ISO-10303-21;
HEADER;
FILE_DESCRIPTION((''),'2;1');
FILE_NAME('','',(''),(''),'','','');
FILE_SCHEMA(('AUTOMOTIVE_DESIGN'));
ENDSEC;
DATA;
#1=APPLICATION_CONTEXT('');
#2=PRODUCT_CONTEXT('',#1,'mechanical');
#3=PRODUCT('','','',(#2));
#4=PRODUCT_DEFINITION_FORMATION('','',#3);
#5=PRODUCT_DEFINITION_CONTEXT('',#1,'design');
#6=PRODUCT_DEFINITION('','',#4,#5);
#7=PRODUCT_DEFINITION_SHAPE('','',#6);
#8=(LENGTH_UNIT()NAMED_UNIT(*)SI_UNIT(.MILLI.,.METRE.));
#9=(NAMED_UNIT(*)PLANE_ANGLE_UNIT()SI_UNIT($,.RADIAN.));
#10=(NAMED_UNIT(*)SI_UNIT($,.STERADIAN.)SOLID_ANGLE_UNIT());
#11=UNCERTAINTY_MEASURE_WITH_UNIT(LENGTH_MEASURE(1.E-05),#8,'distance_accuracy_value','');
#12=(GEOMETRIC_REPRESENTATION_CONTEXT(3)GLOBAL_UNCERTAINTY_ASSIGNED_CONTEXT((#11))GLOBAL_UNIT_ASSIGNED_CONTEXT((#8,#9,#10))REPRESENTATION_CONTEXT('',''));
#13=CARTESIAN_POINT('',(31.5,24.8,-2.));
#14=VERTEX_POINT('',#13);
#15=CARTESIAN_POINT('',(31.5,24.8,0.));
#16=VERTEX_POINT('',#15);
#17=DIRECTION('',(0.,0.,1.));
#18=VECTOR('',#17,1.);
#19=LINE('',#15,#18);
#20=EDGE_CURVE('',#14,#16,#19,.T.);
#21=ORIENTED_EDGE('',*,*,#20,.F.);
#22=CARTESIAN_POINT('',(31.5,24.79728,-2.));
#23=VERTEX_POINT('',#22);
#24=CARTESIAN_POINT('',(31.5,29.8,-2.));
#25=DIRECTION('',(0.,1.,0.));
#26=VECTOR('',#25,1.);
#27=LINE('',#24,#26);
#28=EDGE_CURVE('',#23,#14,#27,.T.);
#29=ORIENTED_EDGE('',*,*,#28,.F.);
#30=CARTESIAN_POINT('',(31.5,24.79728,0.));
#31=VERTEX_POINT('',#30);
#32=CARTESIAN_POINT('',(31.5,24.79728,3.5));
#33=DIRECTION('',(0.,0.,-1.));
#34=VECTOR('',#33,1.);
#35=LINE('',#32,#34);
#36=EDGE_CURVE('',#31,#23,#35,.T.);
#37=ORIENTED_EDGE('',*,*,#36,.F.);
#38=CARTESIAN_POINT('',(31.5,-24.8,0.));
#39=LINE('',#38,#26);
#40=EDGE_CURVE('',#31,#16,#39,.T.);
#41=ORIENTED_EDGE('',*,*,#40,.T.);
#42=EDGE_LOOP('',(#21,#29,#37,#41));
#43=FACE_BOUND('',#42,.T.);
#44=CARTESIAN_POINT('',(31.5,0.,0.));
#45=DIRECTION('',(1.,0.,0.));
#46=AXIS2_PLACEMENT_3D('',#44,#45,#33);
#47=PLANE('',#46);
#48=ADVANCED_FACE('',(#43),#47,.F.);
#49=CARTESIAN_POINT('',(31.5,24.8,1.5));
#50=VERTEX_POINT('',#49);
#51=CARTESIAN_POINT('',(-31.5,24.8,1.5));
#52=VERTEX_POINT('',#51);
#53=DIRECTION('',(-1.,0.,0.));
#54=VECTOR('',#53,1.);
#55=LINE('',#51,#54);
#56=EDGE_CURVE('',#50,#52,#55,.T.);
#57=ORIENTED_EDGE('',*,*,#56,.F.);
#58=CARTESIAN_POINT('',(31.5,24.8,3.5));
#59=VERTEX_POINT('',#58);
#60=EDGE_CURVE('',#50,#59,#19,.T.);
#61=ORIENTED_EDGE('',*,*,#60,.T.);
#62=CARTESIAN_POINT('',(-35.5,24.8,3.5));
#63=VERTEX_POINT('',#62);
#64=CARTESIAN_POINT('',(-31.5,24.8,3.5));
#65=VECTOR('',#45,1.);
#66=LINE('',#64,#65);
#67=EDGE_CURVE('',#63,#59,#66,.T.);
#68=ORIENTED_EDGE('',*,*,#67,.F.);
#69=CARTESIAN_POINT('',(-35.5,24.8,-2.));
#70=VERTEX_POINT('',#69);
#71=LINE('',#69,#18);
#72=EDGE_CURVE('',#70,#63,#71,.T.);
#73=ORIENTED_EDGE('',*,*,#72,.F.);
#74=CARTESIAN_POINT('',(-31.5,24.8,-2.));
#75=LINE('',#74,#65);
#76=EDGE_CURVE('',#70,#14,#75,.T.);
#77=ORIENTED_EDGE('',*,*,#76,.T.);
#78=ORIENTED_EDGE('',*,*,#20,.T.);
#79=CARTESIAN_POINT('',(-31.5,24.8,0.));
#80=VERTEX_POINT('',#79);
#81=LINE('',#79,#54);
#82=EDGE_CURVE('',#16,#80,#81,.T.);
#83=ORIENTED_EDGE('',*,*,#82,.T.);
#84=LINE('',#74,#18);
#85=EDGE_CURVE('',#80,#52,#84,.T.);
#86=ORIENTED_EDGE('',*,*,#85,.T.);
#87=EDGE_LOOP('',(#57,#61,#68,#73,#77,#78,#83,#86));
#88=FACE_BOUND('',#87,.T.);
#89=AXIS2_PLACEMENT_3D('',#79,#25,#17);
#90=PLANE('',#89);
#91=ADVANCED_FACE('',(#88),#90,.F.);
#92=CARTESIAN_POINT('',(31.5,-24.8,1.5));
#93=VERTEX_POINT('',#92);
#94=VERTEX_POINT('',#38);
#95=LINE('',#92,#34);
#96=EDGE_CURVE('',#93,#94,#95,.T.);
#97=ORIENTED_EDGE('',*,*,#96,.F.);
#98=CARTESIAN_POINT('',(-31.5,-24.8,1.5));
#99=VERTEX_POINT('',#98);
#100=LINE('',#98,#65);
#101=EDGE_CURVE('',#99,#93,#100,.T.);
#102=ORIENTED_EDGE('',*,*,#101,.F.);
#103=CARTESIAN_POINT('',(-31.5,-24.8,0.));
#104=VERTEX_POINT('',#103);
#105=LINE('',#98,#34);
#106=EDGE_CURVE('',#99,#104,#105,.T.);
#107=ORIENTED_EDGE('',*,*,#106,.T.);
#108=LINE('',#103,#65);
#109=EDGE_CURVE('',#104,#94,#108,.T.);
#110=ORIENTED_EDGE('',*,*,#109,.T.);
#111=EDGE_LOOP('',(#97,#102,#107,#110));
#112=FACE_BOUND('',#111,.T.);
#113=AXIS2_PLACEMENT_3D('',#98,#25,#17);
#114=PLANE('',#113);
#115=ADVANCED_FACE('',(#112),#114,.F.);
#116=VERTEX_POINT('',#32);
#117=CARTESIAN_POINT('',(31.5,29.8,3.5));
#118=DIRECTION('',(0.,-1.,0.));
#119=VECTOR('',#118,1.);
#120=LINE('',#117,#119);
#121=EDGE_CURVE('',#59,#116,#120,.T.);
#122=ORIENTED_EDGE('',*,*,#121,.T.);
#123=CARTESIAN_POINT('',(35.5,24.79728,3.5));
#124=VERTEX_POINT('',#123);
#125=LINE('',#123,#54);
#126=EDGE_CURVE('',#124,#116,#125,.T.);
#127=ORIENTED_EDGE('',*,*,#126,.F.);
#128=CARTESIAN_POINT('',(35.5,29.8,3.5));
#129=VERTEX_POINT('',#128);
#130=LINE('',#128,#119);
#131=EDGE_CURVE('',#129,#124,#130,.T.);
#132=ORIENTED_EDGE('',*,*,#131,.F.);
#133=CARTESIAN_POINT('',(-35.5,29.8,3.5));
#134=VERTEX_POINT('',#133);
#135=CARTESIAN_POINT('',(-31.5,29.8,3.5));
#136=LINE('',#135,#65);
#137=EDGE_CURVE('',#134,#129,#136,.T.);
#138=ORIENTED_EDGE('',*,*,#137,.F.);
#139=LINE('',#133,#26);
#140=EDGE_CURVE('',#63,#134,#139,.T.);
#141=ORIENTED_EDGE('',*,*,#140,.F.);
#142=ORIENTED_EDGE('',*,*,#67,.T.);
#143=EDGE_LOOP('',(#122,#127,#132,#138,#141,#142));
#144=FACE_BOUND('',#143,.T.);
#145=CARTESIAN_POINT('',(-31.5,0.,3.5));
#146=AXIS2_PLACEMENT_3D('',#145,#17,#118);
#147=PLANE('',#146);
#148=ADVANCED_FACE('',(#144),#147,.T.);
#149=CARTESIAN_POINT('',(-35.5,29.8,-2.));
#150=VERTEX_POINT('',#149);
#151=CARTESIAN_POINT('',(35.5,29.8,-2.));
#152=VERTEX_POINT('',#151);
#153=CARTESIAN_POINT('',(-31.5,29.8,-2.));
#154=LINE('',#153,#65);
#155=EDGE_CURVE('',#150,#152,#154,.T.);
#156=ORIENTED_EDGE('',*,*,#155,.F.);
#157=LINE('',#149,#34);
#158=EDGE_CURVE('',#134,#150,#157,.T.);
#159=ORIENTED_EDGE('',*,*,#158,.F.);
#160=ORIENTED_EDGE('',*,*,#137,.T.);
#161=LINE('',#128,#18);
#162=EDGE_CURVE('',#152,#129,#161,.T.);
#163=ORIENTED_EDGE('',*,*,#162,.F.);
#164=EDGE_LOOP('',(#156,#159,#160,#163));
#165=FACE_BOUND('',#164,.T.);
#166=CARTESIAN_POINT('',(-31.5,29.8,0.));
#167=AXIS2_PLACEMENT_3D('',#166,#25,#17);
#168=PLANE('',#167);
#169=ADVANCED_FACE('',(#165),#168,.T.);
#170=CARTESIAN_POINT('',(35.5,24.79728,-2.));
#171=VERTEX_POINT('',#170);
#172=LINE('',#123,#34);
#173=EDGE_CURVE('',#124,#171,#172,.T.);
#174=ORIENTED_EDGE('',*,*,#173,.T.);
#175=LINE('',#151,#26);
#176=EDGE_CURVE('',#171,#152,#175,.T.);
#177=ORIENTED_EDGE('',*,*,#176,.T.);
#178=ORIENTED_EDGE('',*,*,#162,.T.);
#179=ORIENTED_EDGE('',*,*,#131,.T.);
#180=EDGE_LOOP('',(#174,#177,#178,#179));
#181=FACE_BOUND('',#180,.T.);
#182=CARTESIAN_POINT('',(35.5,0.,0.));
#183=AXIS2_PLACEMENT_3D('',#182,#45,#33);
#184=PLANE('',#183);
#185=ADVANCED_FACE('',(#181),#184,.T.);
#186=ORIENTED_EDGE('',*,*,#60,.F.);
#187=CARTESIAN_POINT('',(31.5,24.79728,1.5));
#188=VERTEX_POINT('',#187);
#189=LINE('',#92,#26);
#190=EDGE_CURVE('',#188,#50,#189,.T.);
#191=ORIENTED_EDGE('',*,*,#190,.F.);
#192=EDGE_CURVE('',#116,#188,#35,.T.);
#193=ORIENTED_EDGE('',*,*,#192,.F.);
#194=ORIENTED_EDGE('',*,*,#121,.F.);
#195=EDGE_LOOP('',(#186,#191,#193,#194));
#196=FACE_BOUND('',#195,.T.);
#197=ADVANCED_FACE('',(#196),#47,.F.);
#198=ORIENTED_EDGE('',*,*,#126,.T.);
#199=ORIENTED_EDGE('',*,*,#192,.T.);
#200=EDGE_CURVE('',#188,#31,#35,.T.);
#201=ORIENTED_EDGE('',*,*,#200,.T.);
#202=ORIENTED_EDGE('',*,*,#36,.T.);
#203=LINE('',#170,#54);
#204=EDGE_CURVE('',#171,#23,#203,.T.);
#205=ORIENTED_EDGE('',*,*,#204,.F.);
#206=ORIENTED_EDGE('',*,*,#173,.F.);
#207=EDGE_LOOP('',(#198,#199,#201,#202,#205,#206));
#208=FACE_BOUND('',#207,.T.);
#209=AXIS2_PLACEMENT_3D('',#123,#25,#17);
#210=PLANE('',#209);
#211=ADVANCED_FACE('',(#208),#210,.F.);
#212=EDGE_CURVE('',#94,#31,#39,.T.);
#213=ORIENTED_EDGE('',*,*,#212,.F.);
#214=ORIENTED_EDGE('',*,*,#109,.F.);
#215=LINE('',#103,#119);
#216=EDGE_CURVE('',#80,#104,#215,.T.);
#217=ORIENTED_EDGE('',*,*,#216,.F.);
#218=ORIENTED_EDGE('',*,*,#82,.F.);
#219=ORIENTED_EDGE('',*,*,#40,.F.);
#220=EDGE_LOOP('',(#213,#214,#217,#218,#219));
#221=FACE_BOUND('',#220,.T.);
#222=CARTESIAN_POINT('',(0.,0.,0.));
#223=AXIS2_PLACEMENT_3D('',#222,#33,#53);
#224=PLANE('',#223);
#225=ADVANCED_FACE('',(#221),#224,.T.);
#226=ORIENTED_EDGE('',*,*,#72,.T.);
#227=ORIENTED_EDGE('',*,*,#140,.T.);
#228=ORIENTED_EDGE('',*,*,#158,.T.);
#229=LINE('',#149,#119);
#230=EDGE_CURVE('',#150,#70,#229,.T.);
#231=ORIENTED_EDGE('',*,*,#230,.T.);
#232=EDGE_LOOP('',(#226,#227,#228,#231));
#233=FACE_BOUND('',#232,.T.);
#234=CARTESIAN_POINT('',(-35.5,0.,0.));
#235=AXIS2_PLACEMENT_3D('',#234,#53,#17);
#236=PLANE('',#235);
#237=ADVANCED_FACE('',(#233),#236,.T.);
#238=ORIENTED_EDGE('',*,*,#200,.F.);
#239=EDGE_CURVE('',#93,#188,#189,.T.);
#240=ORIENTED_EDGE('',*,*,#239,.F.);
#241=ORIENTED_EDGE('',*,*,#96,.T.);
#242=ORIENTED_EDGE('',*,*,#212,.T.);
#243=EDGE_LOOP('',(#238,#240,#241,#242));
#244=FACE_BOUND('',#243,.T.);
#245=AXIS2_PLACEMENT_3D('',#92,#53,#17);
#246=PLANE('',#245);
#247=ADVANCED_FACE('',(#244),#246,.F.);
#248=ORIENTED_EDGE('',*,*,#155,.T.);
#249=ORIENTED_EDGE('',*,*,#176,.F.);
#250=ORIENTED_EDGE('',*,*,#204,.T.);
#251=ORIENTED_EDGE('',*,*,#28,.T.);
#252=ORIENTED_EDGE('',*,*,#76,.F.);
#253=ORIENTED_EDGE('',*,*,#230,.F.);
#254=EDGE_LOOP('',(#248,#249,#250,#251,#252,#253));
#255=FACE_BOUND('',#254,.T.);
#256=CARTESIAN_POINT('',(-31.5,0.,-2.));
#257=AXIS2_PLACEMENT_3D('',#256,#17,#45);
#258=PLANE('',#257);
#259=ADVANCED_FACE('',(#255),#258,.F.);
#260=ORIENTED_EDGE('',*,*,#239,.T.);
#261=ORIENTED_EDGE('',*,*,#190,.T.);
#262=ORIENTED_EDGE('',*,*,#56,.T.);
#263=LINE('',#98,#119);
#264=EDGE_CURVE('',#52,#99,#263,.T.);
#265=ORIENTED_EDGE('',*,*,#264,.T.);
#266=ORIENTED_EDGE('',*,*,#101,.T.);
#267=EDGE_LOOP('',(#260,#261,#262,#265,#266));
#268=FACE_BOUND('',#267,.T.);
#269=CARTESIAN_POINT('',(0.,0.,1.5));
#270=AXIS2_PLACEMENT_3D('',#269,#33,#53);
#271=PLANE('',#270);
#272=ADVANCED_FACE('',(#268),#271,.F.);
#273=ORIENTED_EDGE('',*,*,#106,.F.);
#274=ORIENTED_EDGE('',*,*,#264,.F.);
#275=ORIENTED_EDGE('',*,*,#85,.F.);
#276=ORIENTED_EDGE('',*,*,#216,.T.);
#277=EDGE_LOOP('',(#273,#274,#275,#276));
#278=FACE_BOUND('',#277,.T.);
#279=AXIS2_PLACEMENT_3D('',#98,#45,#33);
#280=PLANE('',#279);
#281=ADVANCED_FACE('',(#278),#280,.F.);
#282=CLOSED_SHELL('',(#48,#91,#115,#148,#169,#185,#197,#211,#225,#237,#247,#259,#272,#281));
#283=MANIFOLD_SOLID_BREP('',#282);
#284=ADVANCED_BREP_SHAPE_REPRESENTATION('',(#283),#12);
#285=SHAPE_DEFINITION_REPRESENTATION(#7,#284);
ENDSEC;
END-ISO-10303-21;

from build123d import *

# Parameters (mm, degrees)
SKETCH3_W           = 63
SKETCH3_H           = 49.6
BOSS_EXTRUDE1_DEPTH = 1.5
SKETCH10_W          = 2
SKETCH10_H          = 5
SKETCH10_W_2        = 1.5
BOSS_EXTRUDE2_DEPTH = 63
SKETCH11_W          = 5.5
SKETCH11_H          = 5.002720327
BOSS_EXTRUDE3_DEPTH = 4
SKETCH12_W          = 5.5
SKETCH12_H          = 5
BOSS_EXTRUDE4_DEPTH = 4


with BuildPart() as part:
    # Sketch3 → Boss-Extrude1 (new body)
    with BuildSketch(Plane.XY):
        Rectangle(SKETCH3_W, SKETCH3_H)
    extrude(amount=BOSS_EXTRUDE1_DEPTH)

    # Sketch10 → Boss-Extrude2 (add)
    with BuildSketch(Plane(origin=(31.5, 0, 0), x_dir=(0, 0, -1), z_dir=(1, 0, 0))):
        with Locations((-2.5, 27.3)):
            Rectangle(SKETCH10_W, SKETCH10_H)
        with Locations((-0.75, 27.3)):
            Rectangle(SKETCH10_W_2, SKETCH10_H)
        with Locations((1, 27.3)):
            Rectangle(SKETCH10_W, SKETCH10_H)
    extrude(amount=-BOSS_EXTRUDE2_DEPTH)

    # Sketch11 → Boss-Extrude3 (add)
    with BuildSketch(Plane(origin=(31.5, 0, 0), x_dir=(0, 0, -1), z_dir=(1, 0, 0))):
        with Locations((-0.75, 27.298639837)):
            Rectangle(SKETCH11_W, SKETCH11_H)
    extrude(amount=BOSS_EXTRUDE3_DEPTH)

    # Sketch12 → Boss-Extrude4 (add)
    with BuildSketch(Plane.ZY.offset(31.5)):
        with Locations((0.75, 27.3)):
            Rectangle(SKETCH12_W, SKETCH12_H)
    extrude(amount=BOSS_EXTRUDE4_DEPTH)


solid = part.part
